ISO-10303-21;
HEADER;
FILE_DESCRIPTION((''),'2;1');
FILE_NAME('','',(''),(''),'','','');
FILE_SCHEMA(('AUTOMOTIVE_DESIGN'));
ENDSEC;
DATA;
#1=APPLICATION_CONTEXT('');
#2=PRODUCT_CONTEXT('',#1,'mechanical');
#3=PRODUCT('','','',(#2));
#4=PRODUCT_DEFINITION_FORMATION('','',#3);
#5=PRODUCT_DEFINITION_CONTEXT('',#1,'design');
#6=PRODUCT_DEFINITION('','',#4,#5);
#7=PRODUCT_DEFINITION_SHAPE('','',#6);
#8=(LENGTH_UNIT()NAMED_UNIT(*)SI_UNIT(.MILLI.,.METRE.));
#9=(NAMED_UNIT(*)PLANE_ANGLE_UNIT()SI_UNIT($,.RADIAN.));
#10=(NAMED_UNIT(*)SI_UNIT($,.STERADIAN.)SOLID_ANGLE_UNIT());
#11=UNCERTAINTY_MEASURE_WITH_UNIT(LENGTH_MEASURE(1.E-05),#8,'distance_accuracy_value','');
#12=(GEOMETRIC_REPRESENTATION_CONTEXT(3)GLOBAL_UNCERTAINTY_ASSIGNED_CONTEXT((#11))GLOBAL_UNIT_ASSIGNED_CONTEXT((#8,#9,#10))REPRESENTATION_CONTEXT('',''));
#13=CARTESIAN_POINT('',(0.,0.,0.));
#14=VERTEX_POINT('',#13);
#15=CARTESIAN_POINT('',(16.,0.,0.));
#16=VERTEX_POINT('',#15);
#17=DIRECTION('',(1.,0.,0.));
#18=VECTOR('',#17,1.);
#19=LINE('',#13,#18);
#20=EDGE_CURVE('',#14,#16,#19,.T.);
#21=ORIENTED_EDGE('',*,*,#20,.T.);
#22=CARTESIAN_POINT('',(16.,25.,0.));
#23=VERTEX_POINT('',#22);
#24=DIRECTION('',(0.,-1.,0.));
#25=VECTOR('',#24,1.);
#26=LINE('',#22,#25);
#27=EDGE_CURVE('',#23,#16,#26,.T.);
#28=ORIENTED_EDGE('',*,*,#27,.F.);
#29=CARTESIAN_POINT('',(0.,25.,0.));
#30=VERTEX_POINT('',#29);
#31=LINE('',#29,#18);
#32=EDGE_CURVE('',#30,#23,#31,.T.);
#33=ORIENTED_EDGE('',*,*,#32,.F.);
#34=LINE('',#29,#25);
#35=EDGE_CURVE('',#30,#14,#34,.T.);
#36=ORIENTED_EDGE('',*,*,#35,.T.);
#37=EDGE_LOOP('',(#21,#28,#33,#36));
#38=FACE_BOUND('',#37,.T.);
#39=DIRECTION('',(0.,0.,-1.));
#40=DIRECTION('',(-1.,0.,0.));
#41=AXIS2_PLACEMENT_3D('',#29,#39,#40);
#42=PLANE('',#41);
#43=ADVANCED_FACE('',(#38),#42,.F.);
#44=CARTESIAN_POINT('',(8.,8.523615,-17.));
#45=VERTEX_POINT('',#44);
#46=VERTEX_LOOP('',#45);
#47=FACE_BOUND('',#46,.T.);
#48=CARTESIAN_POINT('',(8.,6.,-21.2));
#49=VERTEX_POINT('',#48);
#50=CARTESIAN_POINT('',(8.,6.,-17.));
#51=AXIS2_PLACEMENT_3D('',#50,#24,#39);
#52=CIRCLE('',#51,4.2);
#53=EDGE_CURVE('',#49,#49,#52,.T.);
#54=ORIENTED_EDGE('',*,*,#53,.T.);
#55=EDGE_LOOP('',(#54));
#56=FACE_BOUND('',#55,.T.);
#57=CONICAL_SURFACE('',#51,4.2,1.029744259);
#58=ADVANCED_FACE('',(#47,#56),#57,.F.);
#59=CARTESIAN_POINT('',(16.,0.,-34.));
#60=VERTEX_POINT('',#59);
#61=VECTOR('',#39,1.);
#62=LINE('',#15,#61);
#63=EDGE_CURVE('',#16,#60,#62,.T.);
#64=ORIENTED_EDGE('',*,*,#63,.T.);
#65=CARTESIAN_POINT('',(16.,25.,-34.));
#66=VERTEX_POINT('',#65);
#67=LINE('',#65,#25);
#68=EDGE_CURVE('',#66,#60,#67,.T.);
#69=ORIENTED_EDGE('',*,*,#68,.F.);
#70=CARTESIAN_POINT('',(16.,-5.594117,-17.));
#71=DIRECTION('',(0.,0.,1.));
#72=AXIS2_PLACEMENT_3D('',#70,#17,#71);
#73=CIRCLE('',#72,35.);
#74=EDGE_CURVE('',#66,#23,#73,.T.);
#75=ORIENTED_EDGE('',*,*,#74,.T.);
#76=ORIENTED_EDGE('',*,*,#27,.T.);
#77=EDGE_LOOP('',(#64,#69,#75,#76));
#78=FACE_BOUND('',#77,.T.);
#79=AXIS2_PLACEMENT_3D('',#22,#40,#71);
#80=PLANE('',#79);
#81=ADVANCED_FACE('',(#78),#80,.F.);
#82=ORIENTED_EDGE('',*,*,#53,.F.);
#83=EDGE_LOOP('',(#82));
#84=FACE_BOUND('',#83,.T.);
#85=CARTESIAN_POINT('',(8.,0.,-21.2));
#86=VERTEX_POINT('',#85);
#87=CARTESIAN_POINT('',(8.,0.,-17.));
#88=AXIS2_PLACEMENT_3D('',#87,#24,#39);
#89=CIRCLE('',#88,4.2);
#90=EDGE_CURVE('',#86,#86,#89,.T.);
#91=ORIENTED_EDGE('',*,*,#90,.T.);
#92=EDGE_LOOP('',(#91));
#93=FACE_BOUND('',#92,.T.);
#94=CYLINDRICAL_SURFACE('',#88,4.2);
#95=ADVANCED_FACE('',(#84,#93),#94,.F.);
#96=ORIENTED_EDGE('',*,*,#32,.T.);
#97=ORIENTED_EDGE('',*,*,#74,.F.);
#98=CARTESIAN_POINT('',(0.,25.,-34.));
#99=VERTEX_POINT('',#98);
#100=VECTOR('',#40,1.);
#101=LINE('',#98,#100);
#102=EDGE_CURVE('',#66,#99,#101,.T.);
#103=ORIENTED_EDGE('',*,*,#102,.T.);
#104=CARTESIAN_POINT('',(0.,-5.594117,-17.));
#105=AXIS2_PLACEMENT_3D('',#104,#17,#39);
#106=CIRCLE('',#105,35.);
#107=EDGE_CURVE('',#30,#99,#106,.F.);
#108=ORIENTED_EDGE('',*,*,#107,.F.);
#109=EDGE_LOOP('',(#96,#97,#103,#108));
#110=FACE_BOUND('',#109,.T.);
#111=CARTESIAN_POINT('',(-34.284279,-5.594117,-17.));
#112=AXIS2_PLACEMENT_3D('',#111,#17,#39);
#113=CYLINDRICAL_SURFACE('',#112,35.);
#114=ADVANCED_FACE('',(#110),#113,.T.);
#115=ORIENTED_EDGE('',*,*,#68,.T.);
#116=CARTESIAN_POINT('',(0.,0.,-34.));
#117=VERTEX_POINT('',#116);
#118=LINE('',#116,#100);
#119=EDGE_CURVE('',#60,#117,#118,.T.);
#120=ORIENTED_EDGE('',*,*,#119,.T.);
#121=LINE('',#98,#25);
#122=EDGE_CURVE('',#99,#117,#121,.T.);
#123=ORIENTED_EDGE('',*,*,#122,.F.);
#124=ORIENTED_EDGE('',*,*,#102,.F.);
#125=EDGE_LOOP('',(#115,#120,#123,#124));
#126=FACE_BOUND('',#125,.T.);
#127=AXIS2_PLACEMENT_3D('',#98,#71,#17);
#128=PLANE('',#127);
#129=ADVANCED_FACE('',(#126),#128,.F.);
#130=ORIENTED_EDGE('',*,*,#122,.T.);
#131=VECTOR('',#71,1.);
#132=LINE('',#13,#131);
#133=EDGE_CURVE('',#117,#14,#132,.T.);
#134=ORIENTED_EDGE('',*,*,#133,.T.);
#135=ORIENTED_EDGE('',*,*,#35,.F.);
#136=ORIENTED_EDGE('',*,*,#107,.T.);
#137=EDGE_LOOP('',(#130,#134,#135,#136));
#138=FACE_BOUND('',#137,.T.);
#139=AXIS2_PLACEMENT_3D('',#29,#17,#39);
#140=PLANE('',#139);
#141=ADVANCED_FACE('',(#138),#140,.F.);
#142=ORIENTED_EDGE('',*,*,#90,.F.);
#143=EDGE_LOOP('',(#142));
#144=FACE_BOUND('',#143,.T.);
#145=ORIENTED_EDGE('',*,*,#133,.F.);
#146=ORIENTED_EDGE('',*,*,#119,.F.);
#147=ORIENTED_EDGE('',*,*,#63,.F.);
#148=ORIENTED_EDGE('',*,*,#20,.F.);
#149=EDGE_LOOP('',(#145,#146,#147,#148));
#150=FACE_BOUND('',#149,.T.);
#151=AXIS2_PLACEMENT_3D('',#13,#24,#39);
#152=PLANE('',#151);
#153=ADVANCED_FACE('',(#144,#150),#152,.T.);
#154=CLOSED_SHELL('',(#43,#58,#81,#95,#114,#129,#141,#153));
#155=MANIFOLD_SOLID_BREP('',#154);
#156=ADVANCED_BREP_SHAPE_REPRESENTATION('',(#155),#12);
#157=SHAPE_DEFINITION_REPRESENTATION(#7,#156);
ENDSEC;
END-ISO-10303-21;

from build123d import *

# Parameters (mm, degrees)
SKETCH1_W                = 16
SKETCH1_H                = 34
BOSS_EXTRUDE1_DEPTH      = 25
BOSS_EXTRUDE2_DEPTH      = 16
M8_CLEARANCE_HOLE1_D     = 8.4
M8_CLEARANCE_HOLE1_DEPTH = 6
M8_CLEARANCE_HOLE1_TIP   = 2.5236146


with BuildPart() as part:
    # Sketch1 → Boss-Extrude1 (new body)
    with BuildSketch(Plane(origin=(0, 0, 0), x_dir=(1, 0, 0), z_dir=(0, 1, 0))):
        with Locations((8, 17)):
            Rectangle(SKETCH1_W, SKETCH1_H)
    extrude(amount=BOSS_EXTRUDE1_DEPTH)

    # Sketch2 → Boss-Extrude2 (add)
    with BuildSketch(Plane(origin=(16, 0, 0), x_dir=(0, 0, -1), z_dir=(1, 0, 0))):
        with BuildLine():
            Line((0, 25), (34, 25))
            ThreePointArc((34, 25), (17, 29.405882918), (0, 25))
        make_face()
    extrude(amount=-BOSS_EXTRUDE2_DEPTH)

    # M8 Clearance Hole1
    with Locations(Plane(origin=(0, 0, 0), x_dir=(-1, 0, 0), z_dir=(0, -1, 0))):
        with Locations((-8, 17)):
            Hole(M8_CLEARANCE_HOLE1_D / 2, depth=M8_CLEARANCE_HOLE1_DEPTH)
            with Locations((0, 0, -(M8_CLEARANCE_HOLE1_DEPTH + M8_CLEARANCE_HOLE1_TIP / 2))):  # 118° drill point
                Cone(0, M8_CLEARANCE_HOLE1_D / 2, M8_CLEARANCE_HOLE1_TIP, mode=Mode.SUBTRACT)


solid = part.part
